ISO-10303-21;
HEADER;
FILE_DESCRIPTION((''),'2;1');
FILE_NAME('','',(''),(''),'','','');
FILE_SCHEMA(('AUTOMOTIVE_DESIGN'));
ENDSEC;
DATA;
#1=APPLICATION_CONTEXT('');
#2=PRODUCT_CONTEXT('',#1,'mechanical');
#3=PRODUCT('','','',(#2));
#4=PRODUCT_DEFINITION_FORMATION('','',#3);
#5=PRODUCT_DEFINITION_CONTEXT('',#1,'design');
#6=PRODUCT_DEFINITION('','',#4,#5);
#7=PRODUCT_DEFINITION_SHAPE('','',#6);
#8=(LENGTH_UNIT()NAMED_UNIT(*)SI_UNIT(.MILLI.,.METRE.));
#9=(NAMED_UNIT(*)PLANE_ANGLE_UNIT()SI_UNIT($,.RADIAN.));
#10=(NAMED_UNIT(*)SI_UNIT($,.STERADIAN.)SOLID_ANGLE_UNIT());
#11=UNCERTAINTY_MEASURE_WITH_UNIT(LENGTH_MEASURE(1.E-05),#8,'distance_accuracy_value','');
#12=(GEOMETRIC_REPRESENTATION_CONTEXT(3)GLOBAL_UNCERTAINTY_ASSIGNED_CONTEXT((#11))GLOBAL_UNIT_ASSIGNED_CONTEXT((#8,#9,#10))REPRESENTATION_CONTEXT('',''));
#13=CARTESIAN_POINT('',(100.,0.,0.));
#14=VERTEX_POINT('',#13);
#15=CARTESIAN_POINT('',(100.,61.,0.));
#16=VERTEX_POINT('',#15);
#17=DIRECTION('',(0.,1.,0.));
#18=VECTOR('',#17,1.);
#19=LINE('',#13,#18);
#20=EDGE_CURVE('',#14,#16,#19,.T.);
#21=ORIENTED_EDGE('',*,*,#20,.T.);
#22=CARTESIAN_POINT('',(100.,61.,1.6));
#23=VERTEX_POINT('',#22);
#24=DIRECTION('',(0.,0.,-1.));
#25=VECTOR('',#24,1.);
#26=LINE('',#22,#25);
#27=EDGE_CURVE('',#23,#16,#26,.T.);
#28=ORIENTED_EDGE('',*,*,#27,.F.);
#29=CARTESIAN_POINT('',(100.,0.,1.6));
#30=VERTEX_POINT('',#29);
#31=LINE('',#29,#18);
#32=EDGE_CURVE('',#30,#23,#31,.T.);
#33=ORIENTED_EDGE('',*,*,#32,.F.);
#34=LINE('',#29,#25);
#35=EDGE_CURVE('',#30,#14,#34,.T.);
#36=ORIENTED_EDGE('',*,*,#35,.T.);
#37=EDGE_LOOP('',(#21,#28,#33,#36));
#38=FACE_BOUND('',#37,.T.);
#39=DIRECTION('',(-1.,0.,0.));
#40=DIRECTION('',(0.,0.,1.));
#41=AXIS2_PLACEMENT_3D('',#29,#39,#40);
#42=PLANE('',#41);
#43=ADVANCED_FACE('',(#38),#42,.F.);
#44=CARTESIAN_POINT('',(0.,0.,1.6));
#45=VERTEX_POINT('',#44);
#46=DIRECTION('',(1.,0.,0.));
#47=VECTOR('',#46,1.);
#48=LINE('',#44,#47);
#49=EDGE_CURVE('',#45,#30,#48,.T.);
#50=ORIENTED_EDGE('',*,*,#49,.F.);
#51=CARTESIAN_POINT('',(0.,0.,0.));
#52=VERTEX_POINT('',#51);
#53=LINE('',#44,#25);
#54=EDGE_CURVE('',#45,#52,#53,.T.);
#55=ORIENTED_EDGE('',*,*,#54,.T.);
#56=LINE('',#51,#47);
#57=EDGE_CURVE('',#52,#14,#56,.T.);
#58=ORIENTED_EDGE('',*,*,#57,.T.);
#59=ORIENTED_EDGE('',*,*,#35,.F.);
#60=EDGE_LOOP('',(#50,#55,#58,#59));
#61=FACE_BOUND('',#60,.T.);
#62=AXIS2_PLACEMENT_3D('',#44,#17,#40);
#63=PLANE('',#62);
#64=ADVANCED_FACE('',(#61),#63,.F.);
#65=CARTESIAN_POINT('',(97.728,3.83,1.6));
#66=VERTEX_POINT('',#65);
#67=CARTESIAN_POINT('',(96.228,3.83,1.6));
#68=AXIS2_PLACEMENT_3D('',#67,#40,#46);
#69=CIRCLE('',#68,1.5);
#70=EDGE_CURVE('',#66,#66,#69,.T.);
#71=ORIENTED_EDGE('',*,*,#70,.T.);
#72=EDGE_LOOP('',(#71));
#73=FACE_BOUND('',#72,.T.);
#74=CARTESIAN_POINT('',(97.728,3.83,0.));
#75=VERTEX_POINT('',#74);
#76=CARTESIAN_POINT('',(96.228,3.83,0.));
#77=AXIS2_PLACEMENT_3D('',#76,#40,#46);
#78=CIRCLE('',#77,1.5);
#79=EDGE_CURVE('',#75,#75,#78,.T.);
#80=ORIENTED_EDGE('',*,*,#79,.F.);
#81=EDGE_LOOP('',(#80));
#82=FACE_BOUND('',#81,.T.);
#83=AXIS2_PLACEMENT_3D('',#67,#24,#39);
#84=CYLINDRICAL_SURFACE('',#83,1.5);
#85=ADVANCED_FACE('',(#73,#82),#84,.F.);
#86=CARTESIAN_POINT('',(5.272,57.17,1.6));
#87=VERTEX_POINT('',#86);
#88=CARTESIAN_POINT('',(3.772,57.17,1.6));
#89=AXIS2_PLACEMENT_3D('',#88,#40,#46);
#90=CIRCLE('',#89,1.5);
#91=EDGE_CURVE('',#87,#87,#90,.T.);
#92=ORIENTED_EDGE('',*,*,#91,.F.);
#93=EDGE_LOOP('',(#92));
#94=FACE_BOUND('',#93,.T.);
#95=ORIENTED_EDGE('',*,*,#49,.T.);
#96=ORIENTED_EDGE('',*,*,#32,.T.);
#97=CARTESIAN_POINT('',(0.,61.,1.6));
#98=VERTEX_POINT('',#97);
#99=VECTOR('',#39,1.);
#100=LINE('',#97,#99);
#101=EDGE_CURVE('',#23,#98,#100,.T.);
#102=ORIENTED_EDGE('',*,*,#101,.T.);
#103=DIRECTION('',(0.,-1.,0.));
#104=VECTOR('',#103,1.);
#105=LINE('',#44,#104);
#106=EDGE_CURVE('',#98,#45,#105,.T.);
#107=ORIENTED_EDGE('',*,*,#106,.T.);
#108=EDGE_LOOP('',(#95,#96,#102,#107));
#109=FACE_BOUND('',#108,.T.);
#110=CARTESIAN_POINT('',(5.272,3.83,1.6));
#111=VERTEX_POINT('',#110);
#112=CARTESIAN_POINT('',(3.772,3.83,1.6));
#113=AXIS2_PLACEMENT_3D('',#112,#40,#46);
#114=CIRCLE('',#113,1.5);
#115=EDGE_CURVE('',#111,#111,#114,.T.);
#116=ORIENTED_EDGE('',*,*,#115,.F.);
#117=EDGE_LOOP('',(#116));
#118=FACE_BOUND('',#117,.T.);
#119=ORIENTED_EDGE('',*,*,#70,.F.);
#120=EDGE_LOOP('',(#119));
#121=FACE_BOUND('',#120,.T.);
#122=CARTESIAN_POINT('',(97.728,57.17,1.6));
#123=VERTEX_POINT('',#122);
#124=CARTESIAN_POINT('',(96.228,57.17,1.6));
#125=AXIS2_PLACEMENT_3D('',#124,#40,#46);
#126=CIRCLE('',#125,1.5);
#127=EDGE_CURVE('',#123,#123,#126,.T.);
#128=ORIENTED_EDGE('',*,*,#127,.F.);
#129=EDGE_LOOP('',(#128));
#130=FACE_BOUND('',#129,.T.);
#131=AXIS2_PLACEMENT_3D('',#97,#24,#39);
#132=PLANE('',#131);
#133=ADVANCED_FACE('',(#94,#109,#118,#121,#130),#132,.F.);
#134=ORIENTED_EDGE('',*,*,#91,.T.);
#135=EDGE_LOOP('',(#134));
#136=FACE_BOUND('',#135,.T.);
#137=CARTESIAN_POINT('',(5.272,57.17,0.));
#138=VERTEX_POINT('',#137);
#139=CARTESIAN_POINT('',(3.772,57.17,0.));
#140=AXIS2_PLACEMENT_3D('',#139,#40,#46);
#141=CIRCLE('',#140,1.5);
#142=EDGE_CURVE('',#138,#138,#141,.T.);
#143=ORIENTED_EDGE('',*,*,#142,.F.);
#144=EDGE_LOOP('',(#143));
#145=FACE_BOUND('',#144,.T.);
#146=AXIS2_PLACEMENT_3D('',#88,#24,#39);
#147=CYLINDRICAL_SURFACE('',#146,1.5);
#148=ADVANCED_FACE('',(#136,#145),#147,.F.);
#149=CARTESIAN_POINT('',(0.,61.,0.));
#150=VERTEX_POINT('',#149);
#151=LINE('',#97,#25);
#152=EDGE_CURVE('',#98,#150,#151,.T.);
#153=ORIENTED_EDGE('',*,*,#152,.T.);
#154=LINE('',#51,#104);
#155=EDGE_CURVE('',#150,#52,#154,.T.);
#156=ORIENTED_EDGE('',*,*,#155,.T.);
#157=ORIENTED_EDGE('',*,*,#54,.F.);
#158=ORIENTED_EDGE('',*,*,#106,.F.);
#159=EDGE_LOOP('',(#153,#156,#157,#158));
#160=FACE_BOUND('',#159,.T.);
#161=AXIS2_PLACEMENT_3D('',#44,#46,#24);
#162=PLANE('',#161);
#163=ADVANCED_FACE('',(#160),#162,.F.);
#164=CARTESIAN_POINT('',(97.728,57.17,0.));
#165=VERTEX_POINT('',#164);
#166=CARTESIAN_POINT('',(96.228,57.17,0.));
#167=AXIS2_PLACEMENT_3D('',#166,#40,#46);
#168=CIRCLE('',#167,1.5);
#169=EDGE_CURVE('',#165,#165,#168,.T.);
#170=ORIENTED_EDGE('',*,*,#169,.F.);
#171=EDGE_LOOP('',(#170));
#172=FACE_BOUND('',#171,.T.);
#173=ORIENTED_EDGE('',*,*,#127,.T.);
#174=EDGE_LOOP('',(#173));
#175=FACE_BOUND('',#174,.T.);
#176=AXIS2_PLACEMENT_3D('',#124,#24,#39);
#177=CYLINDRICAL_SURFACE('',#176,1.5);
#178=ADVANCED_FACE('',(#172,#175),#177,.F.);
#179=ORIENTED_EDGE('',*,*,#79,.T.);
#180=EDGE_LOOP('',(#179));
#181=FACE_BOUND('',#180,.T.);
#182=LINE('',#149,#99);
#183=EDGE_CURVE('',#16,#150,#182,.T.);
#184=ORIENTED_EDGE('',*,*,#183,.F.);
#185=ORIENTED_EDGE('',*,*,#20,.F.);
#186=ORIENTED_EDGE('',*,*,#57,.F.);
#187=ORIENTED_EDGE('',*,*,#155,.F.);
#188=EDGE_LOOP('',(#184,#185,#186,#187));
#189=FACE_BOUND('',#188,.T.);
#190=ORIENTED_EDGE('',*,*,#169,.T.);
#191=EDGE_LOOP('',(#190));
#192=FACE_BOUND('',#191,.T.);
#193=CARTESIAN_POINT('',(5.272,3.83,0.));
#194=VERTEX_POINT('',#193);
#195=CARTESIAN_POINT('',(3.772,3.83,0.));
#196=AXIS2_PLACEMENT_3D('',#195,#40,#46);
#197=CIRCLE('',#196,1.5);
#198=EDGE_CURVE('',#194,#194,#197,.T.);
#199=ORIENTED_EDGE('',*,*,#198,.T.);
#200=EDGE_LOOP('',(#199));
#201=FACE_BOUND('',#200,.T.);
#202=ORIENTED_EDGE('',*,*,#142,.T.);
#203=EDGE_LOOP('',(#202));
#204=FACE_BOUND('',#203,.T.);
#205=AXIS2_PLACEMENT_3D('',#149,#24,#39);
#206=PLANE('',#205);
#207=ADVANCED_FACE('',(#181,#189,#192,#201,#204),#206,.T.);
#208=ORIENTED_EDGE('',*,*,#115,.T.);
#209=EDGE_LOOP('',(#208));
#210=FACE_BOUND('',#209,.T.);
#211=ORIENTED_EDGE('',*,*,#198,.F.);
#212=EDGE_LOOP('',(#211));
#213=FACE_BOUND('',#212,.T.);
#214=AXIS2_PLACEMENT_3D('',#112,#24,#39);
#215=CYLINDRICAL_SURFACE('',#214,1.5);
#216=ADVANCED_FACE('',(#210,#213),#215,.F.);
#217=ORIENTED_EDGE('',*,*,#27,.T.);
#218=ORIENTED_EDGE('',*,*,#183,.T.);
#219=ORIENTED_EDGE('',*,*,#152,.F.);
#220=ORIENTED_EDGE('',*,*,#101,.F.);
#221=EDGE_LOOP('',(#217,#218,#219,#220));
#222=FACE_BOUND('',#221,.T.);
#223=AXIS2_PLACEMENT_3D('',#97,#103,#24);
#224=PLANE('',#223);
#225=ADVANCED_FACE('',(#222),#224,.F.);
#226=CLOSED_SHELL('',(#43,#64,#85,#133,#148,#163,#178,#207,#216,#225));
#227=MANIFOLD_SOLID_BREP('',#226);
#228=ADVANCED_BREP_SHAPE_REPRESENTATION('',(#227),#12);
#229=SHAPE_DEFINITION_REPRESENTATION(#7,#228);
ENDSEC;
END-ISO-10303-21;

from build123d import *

# Parameters (mm, degrees)
SKETCH1_W           = 100
SKETCH1_H           = 61
SKETCH1_R           = 1.5
BOSS_EXTRUDE1_DEPTH = 1.6


with BuildPart() as part:
    # Sketch1 → Boss-Extrude1 (new body)
    with BuildSketch(Plane.XY):
        with Locations((50, 30.5)):
            Rectangle(SKETCH1_W, SKETCH1_H)
        with Locations((3.772, 3.83)):
            Circle(SKETCH1_R, mode=Mode.SUBTRACT)
        with Locations((96.228, 3.83)):
            Circle(SKETCH1_R, mode=Mode.SUBTRACT)
        with Locations((3.772, 57.17)):
            Circle(SKETCH1_R, mode=Mode.SUBTRACT)
        with Locations((96.228, 57.17)):
            Circle(SKETCH1_R, mode=Mode.SUBTRACT)
    extrude(amount=BOSS_EXTRUDE1_DEPTH)


solid = part.part
